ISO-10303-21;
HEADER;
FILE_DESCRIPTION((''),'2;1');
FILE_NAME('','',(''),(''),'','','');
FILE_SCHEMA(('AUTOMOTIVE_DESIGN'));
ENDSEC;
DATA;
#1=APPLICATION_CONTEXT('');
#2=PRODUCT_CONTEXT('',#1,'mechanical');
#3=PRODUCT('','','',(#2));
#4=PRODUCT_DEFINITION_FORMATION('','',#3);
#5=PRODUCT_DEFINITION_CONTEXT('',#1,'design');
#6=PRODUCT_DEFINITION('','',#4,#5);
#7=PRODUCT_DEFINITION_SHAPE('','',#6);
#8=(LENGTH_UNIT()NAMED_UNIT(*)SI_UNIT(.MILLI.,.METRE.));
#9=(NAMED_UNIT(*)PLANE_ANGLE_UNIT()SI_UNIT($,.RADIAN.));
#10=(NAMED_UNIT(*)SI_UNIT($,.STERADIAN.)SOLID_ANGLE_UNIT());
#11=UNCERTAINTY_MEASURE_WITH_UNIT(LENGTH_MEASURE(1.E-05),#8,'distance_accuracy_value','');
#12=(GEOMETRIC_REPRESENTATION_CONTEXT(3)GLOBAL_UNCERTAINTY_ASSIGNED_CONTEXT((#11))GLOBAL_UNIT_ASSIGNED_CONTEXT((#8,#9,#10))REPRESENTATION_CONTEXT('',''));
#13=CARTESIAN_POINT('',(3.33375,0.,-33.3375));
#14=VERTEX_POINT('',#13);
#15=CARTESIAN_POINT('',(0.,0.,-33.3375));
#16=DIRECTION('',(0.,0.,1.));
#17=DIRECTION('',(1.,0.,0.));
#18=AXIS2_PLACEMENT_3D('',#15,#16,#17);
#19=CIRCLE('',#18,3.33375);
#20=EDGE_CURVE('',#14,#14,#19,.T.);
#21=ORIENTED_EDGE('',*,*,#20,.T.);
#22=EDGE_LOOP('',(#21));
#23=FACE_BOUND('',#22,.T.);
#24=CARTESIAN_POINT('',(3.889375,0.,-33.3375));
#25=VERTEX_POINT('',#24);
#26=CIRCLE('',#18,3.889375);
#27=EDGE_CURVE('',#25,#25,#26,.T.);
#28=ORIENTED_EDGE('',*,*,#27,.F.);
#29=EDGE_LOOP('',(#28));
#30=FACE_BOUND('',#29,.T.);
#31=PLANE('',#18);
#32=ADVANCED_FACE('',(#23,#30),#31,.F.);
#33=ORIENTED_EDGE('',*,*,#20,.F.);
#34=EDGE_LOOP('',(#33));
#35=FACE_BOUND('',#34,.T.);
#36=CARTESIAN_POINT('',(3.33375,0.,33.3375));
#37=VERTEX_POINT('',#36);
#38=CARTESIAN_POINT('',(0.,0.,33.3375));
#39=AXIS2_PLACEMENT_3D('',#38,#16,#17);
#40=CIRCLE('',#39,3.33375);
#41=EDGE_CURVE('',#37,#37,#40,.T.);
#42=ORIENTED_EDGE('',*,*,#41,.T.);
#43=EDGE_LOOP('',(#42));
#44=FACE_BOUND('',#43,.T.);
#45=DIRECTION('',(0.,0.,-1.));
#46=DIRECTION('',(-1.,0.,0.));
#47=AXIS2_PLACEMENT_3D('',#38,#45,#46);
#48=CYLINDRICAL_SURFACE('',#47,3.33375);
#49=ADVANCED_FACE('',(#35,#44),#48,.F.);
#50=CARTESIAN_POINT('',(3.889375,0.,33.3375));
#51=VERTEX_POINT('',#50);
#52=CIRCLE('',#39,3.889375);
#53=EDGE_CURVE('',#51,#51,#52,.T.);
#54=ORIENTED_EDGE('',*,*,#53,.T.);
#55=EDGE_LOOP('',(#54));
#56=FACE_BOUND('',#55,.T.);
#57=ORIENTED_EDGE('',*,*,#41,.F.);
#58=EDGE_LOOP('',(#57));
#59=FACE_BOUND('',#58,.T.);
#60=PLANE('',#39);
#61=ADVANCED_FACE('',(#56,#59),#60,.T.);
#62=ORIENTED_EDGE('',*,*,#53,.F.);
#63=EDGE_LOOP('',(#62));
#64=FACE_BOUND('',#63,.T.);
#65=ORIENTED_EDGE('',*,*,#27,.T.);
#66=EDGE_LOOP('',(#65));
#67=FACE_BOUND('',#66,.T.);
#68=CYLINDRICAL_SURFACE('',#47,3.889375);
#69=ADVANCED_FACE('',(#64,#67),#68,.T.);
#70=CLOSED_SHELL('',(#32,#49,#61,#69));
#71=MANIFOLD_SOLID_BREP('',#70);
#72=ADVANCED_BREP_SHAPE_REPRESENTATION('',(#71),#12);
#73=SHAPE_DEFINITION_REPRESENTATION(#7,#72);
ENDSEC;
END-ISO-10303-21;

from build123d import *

# Parameters (mm, degrees)
SKETCH1_R           = 11.1125
SKETCH1_R_2         = 9.525
BOSS_EXTRUDE1_DEPTH = 95.25
SCALE1_SCALE        = 0.35


with BuildPart() as part:
    # Sketch1 → Boss-Extrude1 (new body, symmetric)
    with BuildSketch(Plane.XY):
        Circle(SKETCH1_R)
        Circle(SKETCH1_R_2, mode=Mode.SUBTRACT)
    extrude(amount=BOSS_EXTRUDE1_DEPTH, both=True)


with BuildPart() as part_1:
    # Scale1: scaled about (0, 0, 0)
    add(part.part.scale(SCALE1_SCALE))


solid = part_1.part
